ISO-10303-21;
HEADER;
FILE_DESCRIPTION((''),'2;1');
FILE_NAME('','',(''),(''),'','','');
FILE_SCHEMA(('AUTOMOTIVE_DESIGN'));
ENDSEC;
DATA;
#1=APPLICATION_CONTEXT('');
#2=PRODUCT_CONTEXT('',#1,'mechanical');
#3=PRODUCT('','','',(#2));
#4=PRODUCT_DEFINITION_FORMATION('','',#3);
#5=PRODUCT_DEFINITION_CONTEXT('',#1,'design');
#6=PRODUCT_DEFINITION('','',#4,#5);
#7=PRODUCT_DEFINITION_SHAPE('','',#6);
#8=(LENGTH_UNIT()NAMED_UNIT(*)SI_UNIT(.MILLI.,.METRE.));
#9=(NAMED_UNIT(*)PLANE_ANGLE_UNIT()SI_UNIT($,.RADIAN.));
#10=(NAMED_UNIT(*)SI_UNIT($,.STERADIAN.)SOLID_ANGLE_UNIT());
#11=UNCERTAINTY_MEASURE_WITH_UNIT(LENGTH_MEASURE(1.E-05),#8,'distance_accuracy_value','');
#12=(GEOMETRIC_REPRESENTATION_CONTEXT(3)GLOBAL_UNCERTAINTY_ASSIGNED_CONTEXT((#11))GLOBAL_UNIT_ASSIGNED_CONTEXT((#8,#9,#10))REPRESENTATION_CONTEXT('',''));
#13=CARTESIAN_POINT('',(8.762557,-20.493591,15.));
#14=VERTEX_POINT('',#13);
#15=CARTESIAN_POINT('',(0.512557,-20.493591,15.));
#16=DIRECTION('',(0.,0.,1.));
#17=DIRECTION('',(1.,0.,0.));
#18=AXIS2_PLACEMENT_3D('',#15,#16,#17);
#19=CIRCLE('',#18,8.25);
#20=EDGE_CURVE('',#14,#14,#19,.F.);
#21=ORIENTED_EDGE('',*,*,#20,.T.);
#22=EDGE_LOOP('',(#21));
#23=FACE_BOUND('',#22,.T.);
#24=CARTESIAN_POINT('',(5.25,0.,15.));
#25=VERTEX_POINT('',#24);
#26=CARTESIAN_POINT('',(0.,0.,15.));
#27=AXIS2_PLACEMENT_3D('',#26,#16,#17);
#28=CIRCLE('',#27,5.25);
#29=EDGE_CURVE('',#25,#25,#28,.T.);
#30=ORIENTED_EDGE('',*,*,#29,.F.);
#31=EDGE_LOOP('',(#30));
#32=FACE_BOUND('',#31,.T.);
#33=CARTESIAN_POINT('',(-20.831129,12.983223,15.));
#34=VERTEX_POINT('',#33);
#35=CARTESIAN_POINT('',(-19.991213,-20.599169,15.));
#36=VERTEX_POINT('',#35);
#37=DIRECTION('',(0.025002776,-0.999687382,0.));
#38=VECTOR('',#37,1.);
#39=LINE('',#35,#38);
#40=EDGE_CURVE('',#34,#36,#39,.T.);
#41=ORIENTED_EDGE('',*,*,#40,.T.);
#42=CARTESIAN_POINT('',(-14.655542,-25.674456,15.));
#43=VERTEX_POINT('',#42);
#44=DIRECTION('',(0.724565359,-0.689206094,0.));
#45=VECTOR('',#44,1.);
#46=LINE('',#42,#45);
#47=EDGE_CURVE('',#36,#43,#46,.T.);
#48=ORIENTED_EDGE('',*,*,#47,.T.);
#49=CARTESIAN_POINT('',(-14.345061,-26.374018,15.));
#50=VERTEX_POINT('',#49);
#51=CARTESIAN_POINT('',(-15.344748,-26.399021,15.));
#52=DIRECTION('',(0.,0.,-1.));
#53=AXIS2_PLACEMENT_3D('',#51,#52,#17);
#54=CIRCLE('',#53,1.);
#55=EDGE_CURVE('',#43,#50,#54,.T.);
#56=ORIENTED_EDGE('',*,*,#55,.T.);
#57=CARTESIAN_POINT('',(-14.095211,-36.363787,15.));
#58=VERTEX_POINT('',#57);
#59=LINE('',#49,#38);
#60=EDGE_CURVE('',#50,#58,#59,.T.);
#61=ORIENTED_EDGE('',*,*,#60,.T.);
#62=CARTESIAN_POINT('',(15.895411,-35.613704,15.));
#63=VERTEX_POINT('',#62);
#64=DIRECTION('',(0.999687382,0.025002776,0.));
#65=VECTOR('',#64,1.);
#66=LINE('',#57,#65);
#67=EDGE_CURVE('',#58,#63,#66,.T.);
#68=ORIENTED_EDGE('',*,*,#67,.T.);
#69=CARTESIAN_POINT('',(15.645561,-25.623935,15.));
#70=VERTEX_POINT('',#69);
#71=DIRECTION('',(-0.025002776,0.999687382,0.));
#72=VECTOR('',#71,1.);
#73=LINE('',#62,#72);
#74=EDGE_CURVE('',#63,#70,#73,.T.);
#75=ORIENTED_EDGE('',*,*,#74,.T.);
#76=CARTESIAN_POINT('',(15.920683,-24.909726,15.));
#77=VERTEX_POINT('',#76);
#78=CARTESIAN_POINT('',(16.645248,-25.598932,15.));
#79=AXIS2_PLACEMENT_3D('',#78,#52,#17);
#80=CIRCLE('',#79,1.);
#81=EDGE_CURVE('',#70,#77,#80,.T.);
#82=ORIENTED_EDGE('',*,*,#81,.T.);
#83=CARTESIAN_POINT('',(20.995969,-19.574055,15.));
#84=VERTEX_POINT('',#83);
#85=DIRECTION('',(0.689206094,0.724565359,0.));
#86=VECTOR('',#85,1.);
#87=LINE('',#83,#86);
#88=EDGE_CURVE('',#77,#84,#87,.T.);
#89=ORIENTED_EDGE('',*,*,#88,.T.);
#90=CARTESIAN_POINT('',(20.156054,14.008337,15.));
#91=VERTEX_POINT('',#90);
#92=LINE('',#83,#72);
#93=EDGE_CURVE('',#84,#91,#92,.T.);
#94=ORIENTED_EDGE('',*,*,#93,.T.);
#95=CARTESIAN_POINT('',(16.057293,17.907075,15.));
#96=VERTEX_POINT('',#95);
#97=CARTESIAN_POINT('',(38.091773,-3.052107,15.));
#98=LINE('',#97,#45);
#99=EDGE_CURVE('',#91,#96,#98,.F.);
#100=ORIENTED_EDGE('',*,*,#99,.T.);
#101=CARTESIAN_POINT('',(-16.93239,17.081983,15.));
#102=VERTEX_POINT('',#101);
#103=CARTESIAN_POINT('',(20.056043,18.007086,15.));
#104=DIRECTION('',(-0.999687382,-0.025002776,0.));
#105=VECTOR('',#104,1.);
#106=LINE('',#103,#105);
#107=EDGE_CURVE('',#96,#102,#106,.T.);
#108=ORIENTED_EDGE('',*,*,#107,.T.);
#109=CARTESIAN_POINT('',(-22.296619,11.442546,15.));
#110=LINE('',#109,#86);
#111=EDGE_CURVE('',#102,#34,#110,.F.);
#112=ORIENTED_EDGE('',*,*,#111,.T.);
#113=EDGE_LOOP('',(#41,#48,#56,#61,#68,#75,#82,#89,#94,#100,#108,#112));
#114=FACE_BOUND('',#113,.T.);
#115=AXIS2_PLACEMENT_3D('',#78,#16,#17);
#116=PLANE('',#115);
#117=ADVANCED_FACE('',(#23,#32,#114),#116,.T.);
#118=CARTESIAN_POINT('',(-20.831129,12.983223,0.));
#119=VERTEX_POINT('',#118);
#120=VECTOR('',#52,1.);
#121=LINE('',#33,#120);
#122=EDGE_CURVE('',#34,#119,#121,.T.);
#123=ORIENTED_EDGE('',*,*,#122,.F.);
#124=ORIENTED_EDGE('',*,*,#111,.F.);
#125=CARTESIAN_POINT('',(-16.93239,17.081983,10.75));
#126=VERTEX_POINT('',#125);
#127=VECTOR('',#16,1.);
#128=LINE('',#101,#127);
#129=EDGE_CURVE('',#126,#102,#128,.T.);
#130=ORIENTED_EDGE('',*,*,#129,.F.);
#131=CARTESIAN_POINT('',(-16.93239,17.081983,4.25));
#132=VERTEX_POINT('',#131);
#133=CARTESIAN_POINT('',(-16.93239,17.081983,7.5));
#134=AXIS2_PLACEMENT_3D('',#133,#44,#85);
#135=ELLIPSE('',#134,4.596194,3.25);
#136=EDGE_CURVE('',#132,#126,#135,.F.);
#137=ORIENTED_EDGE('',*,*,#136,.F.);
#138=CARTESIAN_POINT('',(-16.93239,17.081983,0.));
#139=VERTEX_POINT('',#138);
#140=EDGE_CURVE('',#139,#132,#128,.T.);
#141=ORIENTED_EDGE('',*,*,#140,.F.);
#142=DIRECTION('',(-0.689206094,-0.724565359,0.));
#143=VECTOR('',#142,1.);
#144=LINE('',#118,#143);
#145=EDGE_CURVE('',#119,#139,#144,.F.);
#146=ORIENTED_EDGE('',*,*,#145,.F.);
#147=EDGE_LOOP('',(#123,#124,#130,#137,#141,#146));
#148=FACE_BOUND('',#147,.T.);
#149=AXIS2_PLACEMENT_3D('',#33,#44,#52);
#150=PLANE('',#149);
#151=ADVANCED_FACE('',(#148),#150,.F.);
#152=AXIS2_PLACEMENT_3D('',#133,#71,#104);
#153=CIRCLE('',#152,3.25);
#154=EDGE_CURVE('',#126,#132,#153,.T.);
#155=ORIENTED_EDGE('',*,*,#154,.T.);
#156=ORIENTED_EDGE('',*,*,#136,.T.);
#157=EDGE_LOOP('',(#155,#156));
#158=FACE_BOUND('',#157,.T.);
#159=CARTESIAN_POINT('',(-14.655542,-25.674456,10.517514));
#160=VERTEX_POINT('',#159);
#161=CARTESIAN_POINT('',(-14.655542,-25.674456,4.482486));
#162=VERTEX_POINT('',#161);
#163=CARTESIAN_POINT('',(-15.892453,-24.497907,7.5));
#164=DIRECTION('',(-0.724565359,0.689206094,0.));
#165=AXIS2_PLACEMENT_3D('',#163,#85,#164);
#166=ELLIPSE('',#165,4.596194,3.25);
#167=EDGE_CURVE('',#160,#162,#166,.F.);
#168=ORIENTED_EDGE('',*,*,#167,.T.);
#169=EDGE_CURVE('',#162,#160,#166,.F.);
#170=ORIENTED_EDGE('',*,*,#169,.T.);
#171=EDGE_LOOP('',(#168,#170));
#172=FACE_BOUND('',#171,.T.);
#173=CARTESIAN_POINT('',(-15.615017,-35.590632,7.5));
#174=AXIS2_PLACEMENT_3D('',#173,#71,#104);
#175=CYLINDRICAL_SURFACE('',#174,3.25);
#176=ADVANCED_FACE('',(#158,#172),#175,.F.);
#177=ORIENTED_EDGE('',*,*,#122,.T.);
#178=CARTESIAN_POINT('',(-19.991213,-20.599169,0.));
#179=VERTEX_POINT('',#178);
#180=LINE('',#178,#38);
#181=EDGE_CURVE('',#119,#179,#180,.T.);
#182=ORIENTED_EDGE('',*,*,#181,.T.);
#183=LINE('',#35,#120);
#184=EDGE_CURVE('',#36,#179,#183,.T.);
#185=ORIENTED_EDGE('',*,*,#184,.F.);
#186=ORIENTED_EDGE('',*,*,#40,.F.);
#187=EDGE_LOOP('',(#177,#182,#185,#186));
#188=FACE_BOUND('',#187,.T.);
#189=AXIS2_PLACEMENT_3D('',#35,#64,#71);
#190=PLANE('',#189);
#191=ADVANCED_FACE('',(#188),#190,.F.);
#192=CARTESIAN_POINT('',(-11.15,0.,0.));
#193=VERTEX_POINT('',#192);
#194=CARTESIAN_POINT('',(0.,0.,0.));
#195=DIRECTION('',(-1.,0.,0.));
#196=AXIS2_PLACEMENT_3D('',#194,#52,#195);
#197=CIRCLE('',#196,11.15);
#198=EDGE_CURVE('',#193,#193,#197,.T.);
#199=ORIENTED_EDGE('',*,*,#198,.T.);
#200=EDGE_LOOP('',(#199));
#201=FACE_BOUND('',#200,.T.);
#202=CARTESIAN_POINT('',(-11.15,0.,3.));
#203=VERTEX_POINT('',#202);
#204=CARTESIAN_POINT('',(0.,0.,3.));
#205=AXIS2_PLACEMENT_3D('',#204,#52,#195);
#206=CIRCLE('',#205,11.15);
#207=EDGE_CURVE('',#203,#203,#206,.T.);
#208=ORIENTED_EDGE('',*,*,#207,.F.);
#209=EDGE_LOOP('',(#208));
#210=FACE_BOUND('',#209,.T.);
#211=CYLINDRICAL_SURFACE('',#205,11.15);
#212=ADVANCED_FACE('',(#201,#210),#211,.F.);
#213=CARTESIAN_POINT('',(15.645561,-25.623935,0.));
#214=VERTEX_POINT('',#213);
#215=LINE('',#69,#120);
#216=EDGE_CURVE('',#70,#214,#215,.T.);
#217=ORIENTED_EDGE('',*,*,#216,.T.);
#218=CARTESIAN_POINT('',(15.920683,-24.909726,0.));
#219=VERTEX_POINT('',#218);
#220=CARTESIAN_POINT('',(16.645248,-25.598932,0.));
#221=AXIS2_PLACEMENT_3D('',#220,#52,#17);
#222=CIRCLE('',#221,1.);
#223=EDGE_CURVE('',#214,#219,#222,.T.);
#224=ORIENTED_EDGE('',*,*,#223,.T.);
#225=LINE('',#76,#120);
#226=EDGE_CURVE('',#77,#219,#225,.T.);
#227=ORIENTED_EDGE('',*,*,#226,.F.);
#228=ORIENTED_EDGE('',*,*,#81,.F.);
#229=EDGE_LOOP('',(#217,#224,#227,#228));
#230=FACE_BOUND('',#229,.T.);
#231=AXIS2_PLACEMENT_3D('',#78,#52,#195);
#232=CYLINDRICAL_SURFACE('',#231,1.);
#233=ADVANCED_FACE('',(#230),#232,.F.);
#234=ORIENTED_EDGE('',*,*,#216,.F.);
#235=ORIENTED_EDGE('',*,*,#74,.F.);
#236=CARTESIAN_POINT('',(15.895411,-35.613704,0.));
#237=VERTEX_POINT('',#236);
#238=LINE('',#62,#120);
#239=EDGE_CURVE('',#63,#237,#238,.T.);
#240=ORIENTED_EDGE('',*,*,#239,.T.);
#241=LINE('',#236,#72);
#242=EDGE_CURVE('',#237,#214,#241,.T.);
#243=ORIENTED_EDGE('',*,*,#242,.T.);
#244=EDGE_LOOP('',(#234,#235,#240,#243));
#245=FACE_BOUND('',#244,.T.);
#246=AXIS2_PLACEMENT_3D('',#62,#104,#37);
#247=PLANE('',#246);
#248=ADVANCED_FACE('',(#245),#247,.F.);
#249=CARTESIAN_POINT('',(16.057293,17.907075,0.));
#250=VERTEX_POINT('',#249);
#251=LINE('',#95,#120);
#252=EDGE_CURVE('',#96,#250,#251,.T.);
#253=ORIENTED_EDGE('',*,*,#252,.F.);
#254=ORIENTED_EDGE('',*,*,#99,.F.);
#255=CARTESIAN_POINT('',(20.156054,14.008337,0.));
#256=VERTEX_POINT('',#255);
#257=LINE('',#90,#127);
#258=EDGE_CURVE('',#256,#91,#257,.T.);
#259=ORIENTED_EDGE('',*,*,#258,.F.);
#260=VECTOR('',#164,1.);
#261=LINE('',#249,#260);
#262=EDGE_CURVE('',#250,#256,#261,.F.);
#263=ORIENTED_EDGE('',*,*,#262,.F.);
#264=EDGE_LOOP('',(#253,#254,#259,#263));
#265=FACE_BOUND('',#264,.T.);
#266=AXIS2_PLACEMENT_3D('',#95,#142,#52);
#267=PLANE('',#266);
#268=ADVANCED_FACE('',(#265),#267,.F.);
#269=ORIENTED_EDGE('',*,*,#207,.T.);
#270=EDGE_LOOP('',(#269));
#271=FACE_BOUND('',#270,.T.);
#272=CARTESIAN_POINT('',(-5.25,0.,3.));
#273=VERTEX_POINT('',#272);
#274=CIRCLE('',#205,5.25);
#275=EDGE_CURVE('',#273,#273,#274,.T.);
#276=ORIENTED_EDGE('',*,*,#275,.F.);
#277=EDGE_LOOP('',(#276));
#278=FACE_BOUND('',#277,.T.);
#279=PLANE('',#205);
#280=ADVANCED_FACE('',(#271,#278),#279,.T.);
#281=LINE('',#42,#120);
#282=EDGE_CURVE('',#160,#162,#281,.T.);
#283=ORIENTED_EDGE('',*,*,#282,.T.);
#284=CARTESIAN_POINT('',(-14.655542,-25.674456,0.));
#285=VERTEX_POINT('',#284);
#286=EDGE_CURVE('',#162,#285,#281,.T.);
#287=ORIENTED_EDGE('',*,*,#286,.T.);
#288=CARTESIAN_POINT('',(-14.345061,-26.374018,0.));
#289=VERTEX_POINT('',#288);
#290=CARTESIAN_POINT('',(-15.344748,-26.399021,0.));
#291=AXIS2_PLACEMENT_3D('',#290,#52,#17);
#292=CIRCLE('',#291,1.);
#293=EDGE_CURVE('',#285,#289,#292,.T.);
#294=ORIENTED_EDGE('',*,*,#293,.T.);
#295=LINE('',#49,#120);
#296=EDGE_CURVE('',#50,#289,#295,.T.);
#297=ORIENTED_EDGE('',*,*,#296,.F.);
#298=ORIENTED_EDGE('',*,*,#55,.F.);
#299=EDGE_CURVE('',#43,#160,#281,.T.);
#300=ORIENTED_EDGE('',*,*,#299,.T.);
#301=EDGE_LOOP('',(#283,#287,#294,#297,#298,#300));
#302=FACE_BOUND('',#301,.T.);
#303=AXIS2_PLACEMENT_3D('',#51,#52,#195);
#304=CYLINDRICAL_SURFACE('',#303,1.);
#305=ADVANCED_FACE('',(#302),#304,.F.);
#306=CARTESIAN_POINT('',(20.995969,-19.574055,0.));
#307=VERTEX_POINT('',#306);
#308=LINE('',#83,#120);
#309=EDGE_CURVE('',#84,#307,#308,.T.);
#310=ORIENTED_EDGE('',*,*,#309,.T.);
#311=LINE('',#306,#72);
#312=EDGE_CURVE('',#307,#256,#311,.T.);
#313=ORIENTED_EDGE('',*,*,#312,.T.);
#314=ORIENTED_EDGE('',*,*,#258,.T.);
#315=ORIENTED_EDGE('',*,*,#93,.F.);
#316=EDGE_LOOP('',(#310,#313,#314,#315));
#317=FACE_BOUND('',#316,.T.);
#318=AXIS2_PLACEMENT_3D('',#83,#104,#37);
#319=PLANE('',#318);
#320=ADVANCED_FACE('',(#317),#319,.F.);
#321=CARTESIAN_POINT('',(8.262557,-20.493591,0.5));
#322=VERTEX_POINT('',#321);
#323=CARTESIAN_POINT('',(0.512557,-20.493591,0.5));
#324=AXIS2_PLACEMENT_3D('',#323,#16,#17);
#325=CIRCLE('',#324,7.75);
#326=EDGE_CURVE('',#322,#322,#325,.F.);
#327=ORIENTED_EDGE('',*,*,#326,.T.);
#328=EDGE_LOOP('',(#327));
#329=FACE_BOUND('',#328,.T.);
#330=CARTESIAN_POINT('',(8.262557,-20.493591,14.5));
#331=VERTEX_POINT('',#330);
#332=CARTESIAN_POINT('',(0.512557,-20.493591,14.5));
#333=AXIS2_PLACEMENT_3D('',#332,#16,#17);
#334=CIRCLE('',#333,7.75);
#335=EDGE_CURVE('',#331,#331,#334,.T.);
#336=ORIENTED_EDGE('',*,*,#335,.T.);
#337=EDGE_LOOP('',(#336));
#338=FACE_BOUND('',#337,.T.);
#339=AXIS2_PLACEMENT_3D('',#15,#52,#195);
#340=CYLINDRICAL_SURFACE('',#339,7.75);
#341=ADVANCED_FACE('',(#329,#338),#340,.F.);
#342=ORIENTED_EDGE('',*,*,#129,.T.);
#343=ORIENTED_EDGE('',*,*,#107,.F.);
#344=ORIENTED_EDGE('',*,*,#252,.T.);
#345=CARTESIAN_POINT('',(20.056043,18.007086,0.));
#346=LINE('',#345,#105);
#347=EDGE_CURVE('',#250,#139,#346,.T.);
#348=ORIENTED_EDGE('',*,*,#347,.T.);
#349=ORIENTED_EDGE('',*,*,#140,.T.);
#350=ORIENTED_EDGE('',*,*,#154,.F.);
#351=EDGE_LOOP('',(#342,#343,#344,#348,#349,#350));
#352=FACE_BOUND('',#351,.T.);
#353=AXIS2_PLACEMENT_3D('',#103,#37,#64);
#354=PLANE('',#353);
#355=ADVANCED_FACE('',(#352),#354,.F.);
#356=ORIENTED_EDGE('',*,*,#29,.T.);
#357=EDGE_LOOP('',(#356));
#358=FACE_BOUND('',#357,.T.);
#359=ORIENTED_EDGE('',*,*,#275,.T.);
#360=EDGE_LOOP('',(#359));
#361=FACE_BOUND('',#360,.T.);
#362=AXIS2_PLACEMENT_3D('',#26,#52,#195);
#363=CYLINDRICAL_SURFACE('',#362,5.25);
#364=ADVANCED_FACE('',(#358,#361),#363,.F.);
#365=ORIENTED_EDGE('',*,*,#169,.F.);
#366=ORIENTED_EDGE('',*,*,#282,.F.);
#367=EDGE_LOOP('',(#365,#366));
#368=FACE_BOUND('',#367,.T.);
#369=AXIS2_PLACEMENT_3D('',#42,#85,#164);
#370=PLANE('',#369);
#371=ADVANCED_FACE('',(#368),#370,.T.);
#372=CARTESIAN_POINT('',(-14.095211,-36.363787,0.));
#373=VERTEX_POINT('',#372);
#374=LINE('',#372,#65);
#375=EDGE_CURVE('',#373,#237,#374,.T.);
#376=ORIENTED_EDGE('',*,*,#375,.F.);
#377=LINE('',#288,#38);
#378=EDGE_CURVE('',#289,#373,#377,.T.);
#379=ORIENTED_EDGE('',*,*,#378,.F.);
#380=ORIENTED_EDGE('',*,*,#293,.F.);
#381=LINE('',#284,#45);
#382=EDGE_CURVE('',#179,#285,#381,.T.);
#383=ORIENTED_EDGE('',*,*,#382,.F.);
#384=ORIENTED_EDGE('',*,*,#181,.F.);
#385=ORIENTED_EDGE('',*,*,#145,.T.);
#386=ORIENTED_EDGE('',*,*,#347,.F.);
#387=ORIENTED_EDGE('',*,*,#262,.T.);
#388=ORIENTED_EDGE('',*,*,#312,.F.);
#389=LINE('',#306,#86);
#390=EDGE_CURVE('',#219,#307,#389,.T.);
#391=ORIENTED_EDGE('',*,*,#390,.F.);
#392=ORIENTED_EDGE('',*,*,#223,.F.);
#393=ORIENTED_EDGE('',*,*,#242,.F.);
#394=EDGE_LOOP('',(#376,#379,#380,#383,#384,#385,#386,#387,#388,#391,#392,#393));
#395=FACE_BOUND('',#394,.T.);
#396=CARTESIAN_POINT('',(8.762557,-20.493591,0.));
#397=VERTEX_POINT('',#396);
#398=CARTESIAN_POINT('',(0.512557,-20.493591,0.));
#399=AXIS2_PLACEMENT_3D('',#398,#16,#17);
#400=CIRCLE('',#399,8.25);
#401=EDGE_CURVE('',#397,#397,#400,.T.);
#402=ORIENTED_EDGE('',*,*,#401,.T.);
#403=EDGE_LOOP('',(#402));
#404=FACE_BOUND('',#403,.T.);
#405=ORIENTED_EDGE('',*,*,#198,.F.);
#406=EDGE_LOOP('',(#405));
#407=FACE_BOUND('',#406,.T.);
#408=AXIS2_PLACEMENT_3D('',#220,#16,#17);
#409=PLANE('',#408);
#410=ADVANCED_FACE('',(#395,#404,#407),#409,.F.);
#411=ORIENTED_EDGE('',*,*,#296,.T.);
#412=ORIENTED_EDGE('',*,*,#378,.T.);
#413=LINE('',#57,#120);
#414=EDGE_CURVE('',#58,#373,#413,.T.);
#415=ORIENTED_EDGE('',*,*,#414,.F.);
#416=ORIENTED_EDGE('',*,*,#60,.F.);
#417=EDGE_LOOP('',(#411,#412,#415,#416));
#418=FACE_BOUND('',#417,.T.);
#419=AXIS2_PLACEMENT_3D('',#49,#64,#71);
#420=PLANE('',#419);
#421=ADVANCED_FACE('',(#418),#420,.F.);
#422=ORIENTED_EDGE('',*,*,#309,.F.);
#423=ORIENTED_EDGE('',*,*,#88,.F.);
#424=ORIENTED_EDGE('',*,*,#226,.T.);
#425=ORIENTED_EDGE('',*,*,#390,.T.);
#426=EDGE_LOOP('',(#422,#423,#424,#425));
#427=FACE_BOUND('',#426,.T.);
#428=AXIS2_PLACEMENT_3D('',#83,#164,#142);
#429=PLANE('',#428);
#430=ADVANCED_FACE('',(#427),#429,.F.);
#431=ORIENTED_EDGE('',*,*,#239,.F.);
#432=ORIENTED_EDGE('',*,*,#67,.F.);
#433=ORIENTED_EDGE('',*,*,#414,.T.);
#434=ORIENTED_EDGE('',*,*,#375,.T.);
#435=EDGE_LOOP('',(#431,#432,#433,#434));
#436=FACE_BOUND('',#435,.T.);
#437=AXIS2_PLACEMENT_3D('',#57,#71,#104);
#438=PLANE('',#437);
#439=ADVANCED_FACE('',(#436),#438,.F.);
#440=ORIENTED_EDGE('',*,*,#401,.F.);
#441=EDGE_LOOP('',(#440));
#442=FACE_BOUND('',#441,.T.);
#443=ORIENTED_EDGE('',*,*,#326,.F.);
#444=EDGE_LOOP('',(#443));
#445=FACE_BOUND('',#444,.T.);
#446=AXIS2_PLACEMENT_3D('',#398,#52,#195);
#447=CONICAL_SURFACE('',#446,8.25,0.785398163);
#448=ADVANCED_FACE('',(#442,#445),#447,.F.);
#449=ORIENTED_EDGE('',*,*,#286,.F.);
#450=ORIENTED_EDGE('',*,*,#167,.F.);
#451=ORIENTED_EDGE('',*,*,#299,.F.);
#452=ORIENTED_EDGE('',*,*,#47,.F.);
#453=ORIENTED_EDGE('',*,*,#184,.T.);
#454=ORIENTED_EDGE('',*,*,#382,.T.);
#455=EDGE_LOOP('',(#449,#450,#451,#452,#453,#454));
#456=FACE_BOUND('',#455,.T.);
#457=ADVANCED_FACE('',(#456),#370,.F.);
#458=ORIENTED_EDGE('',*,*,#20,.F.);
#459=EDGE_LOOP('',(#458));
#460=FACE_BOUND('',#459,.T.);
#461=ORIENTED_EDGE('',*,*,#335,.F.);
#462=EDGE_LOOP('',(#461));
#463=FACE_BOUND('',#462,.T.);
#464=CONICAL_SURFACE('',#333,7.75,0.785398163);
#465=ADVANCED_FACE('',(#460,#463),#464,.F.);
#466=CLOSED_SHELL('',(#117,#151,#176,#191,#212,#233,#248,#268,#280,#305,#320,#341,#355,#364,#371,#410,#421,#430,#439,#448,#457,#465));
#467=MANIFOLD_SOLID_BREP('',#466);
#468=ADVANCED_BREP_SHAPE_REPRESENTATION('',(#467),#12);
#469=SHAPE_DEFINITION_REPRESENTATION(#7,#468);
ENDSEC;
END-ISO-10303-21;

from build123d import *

# Parameters (mm, degrees)
SKETCH1_R           = 5.25
SKETCH1_R_2         = 7.75
BOSS_EXTRUDE2_DEPTH = 15
SKETCH3_R           = 11.15
CUT_EXTRUDE2_DEPTH  = 3
CHAMFER1_SIZE       = 4
CHAMFER2_SIZE       = 0.5
CUT_EXTRUDE3_REACH  = 61.876
SKETCH4_R           = 3.25


with BuildPart() as part:
    # Sketch1 → Boss-Extrude2 (new body)
    with BuildSketch(Plane.XY):
        with BuildLine():
            Line((20.995969439, -19.574054899), (20.05604274, 18.007086094))
            Line((20.05604274, 18.007086094), (-20.93113991, 16.981972267))
            Line((-20.93113991, 16.981972267), (-19.991213211, -20.599168727))
            Line((-19.991213211, -20.599168727), (-14.655542141, -25.674455545))
            ThreePointArc((-14.655542141, -25.674455545), (-14.430725672, -25.993357553), (-14.345060853, -26.374018128))
            Line((-14.345060853, -26.374018128), (-14.09521078, -36.363787386))
            Line((-14.09521078, -36.363787386), (15.895410672, -35.613704098))
            Line((15.895410672, -35.613704098), (15.645560598, -25.62393484))
            ThreePointArc((15.645560598, -25.62393484), (15.712089121, -25.239467818), (15.920682621, -24.90972597))
            Line((15.920682621, -24.90972597), (20.995969439, -19.574054899))
        make_face()
        Circle(SKETCH1_R, mode=Mode.SUBTRACT)
        with Locations((0.512556914, -20.493591325)):
            Circle(SKETCH1_R_2, mode=Mode.SUBTRACT)
    extrude(amount=BOSS_EXTRUDE2_DEPTH)

    # Sketch3 → Cut-Extrude2 (cut)
    with BuildSketch(Plane(origin=(0, 0, 0), x_dir=(-1, 0, 0), z_dir=(0, 0, -1))):
        Circle(SKETCH3_R)
    extrude(amount=-CUT_EXTRUDE2_DEPTH, mode=Mode.SUBTRACT)

    # Chamfer1
    chamfer1_edges = [part.edges().sort_by_distance(p)[0] for p in [
        (-20.93113991, 16.981972267, 7.5),
        (20.05604274, 18.007086094, 7.5),
    ]]
    chamfer(chamfer1_edges, length=CHAMFER1_SIZE)

    # Chamfer2
    chamfer2_edges = [part.edges().sort_by_distance(p)[0] for p in [
        (-7.237443086, -20.493591325, 0),
        (-7.237443086, -20.493591325, 15),
    ]]
    chamfer(chamfer2_edges, length=CHAMFER2_SIZE)

    # Cut-Extrude3: up to this plane
    cut_extrude3_end = Plane(origin=(-14.655542141, -25.674455545, 15), z_dir=(0.6892060940298353, 0.7245653593376775, 0))
    # Sketch4 → Cut-Extrude3 (cut, up to the surface)
    with BuildSketch(Plane(origin=(-0.437548585, 17.49452918, 0), x_dir=(0.9996873817241273, 0.02500277627702985, 0), z_dir=(-0.02500277627702985, 0.9996873817241273, 0)), mode=Mode.PRIVATE) as cut_extrude3_sk1:
        with Locations(Location((-16.5, -7.5, 0), (0, 0, 270))):
            Circle(SKETCH4_R)
    cut_extrude3_tool1 = split(extrude(cut_extrude3_sk1.sketch, amount=-CUT_EXTRUDE3_REACH, mode=Mode.PRIVATE), bisect_by=cut_extrude3_end, keep=Keep.BOTH, mode=Mode.PRIVATE)
    add(cut_extrude3_tool1.solids().sort_by_distance((-16.93239, 17.081983, 7.5))[0], mode=Mode.SUBTRACT)


solid = part.part
